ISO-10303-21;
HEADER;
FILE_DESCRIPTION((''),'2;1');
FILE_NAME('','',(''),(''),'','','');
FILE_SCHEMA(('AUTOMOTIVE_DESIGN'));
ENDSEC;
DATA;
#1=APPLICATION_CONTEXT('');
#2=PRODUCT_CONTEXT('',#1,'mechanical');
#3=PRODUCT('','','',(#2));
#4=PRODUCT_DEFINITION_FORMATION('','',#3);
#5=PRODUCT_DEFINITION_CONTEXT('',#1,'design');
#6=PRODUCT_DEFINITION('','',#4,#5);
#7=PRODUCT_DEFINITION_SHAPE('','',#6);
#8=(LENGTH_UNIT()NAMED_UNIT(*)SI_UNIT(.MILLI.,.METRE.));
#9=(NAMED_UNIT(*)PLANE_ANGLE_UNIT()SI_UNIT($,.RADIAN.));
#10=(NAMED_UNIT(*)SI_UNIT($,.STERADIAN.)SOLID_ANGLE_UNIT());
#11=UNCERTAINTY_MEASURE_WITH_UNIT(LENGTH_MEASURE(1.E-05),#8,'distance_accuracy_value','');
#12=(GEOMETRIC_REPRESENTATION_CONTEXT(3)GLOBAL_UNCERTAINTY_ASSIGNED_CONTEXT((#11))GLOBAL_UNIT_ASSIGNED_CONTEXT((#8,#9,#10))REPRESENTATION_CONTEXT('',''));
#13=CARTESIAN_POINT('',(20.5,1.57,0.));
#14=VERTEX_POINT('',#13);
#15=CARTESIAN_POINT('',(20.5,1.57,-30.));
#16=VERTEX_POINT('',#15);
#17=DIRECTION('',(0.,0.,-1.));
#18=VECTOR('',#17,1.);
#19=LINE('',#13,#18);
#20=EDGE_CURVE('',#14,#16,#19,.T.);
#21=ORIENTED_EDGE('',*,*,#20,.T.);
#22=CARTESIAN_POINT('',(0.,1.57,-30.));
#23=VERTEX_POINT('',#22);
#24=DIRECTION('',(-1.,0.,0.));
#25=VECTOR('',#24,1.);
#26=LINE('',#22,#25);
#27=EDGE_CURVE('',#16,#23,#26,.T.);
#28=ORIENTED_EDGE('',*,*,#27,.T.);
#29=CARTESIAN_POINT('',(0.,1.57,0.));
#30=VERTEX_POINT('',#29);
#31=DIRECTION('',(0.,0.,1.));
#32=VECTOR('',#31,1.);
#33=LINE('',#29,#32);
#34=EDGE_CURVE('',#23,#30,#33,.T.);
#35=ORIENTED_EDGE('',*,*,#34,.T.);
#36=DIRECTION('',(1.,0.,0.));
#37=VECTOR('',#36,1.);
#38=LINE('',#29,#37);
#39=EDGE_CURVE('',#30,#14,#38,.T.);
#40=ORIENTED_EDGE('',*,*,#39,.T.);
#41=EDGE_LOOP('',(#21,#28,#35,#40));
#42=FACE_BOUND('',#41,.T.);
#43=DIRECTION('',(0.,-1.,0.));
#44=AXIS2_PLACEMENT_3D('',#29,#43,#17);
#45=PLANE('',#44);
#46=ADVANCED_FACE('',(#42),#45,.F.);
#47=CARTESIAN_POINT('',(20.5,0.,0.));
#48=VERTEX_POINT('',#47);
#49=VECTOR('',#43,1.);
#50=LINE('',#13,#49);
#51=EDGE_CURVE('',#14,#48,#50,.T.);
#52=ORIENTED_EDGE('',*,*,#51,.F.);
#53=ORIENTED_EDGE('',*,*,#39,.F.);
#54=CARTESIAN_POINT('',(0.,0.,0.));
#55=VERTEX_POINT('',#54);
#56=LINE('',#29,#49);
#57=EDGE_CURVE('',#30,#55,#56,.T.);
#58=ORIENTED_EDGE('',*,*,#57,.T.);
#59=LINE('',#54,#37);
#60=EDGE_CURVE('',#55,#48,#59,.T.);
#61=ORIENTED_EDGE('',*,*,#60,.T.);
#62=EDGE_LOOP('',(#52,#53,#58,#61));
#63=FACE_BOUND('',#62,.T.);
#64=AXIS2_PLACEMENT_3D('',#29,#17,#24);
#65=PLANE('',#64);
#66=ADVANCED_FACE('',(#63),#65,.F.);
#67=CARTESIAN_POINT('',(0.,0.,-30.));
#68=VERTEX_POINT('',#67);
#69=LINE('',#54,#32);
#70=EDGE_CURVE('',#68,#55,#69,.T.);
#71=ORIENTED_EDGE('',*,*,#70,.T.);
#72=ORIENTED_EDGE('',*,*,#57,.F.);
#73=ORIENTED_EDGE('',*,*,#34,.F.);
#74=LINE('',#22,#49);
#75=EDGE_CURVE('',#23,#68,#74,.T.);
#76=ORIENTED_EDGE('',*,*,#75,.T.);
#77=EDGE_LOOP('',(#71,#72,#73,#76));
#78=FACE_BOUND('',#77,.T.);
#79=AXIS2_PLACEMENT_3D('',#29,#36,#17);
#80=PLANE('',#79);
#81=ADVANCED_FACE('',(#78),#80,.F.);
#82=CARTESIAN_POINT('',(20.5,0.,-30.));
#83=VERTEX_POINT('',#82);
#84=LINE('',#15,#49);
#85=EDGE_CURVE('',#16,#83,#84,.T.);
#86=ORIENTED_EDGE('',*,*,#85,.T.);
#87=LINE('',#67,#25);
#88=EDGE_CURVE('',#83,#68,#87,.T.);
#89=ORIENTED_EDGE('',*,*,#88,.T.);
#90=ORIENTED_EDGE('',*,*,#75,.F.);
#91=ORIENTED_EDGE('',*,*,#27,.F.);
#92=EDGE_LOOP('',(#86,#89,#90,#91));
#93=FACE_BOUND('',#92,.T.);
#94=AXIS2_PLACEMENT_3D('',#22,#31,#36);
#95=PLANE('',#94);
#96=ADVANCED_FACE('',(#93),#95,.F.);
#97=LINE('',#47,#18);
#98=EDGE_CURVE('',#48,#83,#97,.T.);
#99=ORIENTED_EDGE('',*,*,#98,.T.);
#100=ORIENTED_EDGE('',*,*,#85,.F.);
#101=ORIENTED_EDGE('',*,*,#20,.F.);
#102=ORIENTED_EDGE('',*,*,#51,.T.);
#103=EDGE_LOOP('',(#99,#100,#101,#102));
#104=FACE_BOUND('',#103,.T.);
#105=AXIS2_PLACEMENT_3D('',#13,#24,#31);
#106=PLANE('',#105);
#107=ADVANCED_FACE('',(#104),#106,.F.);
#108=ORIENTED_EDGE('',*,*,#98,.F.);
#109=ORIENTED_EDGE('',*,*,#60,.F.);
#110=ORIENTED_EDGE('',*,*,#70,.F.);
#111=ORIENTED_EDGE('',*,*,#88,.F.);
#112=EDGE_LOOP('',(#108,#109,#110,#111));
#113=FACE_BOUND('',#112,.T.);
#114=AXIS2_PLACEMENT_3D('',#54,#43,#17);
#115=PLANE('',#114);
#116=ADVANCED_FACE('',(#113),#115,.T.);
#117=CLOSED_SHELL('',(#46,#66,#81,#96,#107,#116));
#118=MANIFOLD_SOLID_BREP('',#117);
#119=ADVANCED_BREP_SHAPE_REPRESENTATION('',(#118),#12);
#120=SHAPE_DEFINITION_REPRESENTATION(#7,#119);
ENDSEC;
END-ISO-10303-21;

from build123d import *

# Parameters (mm, degrees)
SKETCH1_W           = 20.5
SKETCH1_H           = 30
BOSS_EXTRUDE1_DEPTH = 1.57


with BuildPart() as part:
    # Sketch1 → Boss-Extrude1 (new body)
    with BuildSketch(Plane(origin=(0, 0, 0), x_dir=(1, 0, 0), z_dir=(0, 1, 0))):
        with Locations((10.25, 15)):
            Rectangle(SKETCH1_W, SKETCH1_H)
    extrude(amount=BOSS_EXTRUDE1_DEPTH)


solid = part.part
